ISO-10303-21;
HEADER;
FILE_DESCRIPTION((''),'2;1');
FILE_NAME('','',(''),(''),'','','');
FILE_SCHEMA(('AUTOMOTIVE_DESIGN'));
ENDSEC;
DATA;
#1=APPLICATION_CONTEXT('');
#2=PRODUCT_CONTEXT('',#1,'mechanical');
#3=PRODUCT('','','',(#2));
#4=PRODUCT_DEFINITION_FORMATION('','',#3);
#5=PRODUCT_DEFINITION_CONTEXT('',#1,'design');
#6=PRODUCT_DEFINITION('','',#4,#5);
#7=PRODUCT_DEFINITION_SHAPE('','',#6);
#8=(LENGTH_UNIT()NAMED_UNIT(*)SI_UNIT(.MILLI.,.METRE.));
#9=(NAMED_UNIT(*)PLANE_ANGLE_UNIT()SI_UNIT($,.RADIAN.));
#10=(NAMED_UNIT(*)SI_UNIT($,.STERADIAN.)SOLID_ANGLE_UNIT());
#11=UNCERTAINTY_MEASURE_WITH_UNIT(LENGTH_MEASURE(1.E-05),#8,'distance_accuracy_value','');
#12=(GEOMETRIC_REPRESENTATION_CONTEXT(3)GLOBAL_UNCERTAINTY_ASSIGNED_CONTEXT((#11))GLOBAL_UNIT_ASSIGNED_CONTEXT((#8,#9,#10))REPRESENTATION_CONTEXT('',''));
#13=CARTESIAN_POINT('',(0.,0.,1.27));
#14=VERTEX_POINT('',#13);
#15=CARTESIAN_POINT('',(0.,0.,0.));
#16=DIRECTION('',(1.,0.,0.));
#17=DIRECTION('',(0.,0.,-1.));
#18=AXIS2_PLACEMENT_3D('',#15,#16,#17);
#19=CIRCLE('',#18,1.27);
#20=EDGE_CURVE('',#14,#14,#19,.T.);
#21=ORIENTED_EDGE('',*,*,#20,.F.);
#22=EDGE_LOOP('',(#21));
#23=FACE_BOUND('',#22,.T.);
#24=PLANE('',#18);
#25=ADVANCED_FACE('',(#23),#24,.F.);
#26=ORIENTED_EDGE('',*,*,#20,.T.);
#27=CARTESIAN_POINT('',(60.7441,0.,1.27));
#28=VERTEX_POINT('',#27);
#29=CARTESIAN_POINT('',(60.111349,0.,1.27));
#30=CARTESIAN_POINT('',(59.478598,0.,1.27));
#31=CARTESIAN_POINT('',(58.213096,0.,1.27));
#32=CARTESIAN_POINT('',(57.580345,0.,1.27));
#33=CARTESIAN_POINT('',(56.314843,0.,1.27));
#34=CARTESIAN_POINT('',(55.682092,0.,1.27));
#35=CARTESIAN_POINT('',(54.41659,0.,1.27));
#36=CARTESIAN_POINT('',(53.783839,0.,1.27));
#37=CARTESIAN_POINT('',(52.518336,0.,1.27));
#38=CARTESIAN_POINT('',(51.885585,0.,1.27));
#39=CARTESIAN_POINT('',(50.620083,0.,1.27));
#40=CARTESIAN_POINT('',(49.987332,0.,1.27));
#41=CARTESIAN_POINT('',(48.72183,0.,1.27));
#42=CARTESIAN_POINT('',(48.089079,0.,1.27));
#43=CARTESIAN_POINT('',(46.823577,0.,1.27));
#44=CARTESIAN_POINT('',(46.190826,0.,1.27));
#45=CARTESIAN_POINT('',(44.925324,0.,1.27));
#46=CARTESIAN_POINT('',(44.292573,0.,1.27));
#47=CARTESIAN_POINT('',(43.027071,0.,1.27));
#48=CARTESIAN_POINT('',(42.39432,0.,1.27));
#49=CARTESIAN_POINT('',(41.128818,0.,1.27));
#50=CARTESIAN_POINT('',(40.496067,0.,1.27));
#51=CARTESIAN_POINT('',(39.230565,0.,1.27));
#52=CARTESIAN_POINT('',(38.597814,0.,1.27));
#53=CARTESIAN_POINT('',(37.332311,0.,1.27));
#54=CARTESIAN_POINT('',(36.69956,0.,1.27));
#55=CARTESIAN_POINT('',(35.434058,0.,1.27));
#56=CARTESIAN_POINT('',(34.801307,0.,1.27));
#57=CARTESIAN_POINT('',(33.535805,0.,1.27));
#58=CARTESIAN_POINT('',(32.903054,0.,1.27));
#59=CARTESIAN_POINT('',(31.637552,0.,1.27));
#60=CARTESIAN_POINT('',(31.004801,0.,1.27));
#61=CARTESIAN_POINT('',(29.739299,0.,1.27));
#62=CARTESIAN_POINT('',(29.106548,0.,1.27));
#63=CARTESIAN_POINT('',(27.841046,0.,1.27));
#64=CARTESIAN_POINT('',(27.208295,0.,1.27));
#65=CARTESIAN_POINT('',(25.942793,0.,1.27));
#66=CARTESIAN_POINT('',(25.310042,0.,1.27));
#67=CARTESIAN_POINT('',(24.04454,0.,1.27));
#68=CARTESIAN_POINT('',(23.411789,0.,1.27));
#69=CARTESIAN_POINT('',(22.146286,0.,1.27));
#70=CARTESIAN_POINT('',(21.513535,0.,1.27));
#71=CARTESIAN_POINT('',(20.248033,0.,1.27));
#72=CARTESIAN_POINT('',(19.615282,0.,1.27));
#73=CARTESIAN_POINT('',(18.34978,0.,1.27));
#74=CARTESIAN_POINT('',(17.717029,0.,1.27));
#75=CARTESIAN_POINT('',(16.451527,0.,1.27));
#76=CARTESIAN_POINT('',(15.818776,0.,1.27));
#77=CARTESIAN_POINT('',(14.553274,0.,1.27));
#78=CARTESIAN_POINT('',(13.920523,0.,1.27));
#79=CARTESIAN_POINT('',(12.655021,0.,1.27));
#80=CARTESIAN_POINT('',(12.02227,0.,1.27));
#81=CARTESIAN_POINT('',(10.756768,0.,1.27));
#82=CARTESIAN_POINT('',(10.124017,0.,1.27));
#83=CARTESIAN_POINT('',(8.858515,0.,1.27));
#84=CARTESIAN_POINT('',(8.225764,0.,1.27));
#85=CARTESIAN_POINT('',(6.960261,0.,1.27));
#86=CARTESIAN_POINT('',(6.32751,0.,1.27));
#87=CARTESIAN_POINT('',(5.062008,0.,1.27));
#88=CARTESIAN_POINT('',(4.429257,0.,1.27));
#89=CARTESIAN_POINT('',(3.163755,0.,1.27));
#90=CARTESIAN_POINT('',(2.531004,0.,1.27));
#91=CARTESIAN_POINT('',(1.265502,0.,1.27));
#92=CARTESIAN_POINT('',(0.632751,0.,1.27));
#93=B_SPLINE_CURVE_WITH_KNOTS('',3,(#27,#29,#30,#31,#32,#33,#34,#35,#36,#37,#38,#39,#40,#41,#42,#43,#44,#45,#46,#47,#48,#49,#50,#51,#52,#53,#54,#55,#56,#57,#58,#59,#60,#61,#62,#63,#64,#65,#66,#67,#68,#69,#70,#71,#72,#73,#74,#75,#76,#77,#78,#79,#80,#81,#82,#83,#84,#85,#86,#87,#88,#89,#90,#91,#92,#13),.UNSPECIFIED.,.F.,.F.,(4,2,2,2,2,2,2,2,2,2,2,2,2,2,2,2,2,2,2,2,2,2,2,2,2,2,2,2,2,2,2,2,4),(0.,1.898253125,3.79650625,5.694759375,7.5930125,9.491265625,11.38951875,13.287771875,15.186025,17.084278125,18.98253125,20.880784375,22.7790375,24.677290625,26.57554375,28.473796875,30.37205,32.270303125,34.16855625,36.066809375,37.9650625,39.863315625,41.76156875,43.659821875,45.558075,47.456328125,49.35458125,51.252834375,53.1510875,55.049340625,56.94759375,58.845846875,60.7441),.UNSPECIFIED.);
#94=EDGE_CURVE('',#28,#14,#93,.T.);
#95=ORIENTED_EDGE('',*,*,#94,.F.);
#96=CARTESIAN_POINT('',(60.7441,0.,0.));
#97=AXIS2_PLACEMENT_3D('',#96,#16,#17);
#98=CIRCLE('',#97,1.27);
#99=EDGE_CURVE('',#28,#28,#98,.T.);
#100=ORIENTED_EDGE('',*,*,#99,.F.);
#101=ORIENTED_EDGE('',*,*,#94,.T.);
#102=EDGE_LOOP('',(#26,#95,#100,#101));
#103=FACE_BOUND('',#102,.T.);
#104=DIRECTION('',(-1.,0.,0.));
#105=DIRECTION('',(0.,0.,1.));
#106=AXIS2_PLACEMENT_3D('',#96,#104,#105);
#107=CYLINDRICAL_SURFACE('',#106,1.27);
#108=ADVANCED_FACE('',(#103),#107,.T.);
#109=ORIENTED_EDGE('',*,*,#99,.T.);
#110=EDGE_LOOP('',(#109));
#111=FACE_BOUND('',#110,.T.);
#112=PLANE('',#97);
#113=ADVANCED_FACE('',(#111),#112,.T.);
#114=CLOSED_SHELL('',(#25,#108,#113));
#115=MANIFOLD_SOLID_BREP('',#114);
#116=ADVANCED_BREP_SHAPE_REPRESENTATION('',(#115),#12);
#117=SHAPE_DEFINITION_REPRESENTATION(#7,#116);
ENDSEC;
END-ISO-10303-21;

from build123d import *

# Parameters (mm, degrees)
SKETCH1_R           = 1.27
BOSS_EXTRUDE1_DEPTH = 60.7441


with BuildPart() as part:
    # Sketch1 → Boss-Extrude1 (new body)
    with BuildSketch(Plane(origin=(0, 0, 0), x_dir=(0, 0, -1), z_dir=(1, 0, 0))):
        with Locations(Location((0, 0, 0), (0, 0, 180))):
            Circle(SKETCH1_R)
    extrude(amount=BOSS_EXTRUDE1_DEPTH)


solid = part.part
